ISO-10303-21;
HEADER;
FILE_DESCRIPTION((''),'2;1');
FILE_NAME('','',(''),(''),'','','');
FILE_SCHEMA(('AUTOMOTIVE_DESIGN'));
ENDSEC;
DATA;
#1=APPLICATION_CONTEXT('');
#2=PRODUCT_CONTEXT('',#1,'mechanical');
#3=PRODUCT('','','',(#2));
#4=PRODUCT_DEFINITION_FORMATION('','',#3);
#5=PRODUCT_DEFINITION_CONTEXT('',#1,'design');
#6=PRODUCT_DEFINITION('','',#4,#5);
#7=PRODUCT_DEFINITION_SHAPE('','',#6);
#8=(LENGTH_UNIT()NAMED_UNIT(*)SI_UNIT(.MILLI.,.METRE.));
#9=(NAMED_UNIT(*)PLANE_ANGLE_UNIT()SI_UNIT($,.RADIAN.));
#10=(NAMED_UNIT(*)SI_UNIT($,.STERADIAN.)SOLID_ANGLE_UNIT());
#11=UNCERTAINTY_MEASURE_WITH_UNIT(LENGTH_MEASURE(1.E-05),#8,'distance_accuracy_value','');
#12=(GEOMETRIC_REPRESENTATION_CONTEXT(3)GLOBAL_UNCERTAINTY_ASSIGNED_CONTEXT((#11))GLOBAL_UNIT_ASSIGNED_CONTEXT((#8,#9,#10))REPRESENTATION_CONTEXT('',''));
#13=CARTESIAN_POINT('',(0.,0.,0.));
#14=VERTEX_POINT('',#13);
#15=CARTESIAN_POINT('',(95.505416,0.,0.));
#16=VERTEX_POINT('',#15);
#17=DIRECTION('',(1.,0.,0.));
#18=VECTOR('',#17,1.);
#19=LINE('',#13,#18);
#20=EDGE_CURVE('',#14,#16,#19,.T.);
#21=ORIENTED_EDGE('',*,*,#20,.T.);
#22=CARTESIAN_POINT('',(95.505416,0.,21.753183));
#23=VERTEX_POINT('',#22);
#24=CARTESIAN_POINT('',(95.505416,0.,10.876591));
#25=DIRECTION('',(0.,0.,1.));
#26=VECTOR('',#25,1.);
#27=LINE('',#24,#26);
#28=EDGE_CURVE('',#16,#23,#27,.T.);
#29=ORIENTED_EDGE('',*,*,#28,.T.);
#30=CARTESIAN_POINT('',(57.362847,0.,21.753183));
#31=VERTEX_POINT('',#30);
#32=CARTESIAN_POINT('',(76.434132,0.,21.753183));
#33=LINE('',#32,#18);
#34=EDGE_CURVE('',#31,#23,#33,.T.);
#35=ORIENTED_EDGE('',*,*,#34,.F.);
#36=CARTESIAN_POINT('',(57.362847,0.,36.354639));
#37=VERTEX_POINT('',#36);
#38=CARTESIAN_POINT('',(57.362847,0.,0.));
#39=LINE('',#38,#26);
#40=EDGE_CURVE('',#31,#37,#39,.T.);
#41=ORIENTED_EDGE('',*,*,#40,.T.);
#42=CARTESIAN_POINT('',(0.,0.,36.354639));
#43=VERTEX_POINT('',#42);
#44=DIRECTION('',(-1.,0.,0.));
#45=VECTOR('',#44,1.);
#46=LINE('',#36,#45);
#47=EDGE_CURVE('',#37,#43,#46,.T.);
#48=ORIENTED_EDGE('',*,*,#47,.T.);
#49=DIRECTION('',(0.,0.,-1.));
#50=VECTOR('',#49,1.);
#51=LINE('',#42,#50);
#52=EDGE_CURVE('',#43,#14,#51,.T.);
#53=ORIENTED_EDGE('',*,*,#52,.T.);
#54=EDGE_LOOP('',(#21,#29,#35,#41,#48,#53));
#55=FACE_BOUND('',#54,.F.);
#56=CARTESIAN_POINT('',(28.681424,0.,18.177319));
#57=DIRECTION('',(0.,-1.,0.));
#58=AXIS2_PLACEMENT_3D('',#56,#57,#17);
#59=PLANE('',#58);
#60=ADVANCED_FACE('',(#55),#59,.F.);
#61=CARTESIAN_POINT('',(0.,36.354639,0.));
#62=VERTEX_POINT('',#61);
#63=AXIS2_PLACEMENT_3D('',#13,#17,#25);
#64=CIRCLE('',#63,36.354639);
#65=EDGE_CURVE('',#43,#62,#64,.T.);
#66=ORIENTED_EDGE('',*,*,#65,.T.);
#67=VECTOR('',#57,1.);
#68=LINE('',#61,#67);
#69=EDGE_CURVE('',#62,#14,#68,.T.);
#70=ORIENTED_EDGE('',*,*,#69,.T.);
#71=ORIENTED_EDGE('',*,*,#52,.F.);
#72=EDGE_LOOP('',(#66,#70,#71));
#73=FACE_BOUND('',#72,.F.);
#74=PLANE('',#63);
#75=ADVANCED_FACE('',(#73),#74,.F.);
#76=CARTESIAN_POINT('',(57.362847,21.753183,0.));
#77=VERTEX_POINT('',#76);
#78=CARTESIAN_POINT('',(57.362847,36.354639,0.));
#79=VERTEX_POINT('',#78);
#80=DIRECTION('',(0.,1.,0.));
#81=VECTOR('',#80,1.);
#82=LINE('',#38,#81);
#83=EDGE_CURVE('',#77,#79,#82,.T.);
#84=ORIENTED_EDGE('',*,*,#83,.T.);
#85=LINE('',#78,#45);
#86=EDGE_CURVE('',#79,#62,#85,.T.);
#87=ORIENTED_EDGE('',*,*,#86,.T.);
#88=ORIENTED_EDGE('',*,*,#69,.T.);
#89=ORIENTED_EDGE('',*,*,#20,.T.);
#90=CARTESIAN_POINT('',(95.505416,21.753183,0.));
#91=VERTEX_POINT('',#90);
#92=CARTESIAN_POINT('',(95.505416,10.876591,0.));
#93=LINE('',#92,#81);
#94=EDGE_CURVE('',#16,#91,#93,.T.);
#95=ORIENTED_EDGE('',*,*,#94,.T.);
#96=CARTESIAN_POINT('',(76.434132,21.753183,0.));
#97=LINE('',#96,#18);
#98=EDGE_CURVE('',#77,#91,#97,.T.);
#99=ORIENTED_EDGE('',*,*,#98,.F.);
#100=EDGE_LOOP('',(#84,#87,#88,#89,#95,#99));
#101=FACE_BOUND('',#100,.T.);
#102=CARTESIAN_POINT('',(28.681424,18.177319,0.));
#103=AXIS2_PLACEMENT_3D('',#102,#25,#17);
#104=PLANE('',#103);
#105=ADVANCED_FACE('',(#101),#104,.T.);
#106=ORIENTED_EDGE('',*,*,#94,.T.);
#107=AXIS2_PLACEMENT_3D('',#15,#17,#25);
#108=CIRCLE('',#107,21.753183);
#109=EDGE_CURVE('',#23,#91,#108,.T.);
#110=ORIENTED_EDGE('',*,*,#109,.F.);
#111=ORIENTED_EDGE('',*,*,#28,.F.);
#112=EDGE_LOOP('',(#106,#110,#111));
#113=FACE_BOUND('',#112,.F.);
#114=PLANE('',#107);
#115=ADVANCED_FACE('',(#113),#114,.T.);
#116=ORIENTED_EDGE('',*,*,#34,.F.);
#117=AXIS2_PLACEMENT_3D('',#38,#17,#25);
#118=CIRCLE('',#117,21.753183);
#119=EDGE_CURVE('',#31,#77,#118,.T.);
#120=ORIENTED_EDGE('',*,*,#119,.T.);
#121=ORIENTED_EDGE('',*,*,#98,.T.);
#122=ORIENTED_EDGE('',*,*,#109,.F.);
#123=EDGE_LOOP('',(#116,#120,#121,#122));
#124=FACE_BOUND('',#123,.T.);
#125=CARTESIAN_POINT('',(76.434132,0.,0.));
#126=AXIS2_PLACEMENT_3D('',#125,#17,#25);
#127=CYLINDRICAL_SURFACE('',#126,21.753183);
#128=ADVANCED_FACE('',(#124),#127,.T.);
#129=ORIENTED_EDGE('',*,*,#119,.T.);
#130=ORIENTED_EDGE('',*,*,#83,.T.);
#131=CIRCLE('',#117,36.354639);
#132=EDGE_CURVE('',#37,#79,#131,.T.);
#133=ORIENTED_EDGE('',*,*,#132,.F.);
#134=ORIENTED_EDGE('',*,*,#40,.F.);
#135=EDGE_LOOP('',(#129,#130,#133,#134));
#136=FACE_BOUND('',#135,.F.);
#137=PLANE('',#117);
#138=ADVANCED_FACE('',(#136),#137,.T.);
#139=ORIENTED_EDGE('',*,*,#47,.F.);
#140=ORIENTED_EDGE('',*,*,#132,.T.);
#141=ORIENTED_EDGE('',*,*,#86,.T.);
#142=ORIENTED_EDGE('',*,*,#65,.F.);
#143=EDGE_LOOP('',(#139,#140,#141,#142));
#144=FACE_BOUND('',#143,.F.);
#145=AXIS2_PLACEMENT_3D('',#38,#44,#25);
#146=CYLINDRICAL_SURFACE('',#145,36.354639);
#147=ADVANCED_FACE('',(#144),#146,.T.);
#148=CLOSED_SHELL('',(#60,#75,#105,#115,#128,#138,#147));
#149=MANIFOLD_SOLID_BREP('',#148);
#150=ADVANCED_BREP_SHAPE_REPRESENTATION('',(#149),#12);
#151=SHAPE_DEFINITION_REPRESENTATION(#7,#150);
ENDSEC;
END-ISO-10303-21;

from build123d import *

# Parameters (mm, degrees)
F0_W     = 38.1425693631
F0_H     = 21.7531826347
F1_ANGLE = 270


with BuildPart() as f1:
    # F0 (on Front) → F1 (revolve)
    with BuildSketch(Plane.XZ):
        Polygon((0, 36.3546386361), (0, 0), (57.3628470302, 0), (57.3628470302, 21.7531826347), (57.3628470302, 36.3546386361), align=None)
        with Locations((76.4341317117, 10.8765913174)):
            Rectangle(F0_W, F0_H)
    revolve(axis=Axis((28.6814235151, 0, 0), (1, 0, 0)), revolution_arc=F1_ANGLE)


solid = f1.part
